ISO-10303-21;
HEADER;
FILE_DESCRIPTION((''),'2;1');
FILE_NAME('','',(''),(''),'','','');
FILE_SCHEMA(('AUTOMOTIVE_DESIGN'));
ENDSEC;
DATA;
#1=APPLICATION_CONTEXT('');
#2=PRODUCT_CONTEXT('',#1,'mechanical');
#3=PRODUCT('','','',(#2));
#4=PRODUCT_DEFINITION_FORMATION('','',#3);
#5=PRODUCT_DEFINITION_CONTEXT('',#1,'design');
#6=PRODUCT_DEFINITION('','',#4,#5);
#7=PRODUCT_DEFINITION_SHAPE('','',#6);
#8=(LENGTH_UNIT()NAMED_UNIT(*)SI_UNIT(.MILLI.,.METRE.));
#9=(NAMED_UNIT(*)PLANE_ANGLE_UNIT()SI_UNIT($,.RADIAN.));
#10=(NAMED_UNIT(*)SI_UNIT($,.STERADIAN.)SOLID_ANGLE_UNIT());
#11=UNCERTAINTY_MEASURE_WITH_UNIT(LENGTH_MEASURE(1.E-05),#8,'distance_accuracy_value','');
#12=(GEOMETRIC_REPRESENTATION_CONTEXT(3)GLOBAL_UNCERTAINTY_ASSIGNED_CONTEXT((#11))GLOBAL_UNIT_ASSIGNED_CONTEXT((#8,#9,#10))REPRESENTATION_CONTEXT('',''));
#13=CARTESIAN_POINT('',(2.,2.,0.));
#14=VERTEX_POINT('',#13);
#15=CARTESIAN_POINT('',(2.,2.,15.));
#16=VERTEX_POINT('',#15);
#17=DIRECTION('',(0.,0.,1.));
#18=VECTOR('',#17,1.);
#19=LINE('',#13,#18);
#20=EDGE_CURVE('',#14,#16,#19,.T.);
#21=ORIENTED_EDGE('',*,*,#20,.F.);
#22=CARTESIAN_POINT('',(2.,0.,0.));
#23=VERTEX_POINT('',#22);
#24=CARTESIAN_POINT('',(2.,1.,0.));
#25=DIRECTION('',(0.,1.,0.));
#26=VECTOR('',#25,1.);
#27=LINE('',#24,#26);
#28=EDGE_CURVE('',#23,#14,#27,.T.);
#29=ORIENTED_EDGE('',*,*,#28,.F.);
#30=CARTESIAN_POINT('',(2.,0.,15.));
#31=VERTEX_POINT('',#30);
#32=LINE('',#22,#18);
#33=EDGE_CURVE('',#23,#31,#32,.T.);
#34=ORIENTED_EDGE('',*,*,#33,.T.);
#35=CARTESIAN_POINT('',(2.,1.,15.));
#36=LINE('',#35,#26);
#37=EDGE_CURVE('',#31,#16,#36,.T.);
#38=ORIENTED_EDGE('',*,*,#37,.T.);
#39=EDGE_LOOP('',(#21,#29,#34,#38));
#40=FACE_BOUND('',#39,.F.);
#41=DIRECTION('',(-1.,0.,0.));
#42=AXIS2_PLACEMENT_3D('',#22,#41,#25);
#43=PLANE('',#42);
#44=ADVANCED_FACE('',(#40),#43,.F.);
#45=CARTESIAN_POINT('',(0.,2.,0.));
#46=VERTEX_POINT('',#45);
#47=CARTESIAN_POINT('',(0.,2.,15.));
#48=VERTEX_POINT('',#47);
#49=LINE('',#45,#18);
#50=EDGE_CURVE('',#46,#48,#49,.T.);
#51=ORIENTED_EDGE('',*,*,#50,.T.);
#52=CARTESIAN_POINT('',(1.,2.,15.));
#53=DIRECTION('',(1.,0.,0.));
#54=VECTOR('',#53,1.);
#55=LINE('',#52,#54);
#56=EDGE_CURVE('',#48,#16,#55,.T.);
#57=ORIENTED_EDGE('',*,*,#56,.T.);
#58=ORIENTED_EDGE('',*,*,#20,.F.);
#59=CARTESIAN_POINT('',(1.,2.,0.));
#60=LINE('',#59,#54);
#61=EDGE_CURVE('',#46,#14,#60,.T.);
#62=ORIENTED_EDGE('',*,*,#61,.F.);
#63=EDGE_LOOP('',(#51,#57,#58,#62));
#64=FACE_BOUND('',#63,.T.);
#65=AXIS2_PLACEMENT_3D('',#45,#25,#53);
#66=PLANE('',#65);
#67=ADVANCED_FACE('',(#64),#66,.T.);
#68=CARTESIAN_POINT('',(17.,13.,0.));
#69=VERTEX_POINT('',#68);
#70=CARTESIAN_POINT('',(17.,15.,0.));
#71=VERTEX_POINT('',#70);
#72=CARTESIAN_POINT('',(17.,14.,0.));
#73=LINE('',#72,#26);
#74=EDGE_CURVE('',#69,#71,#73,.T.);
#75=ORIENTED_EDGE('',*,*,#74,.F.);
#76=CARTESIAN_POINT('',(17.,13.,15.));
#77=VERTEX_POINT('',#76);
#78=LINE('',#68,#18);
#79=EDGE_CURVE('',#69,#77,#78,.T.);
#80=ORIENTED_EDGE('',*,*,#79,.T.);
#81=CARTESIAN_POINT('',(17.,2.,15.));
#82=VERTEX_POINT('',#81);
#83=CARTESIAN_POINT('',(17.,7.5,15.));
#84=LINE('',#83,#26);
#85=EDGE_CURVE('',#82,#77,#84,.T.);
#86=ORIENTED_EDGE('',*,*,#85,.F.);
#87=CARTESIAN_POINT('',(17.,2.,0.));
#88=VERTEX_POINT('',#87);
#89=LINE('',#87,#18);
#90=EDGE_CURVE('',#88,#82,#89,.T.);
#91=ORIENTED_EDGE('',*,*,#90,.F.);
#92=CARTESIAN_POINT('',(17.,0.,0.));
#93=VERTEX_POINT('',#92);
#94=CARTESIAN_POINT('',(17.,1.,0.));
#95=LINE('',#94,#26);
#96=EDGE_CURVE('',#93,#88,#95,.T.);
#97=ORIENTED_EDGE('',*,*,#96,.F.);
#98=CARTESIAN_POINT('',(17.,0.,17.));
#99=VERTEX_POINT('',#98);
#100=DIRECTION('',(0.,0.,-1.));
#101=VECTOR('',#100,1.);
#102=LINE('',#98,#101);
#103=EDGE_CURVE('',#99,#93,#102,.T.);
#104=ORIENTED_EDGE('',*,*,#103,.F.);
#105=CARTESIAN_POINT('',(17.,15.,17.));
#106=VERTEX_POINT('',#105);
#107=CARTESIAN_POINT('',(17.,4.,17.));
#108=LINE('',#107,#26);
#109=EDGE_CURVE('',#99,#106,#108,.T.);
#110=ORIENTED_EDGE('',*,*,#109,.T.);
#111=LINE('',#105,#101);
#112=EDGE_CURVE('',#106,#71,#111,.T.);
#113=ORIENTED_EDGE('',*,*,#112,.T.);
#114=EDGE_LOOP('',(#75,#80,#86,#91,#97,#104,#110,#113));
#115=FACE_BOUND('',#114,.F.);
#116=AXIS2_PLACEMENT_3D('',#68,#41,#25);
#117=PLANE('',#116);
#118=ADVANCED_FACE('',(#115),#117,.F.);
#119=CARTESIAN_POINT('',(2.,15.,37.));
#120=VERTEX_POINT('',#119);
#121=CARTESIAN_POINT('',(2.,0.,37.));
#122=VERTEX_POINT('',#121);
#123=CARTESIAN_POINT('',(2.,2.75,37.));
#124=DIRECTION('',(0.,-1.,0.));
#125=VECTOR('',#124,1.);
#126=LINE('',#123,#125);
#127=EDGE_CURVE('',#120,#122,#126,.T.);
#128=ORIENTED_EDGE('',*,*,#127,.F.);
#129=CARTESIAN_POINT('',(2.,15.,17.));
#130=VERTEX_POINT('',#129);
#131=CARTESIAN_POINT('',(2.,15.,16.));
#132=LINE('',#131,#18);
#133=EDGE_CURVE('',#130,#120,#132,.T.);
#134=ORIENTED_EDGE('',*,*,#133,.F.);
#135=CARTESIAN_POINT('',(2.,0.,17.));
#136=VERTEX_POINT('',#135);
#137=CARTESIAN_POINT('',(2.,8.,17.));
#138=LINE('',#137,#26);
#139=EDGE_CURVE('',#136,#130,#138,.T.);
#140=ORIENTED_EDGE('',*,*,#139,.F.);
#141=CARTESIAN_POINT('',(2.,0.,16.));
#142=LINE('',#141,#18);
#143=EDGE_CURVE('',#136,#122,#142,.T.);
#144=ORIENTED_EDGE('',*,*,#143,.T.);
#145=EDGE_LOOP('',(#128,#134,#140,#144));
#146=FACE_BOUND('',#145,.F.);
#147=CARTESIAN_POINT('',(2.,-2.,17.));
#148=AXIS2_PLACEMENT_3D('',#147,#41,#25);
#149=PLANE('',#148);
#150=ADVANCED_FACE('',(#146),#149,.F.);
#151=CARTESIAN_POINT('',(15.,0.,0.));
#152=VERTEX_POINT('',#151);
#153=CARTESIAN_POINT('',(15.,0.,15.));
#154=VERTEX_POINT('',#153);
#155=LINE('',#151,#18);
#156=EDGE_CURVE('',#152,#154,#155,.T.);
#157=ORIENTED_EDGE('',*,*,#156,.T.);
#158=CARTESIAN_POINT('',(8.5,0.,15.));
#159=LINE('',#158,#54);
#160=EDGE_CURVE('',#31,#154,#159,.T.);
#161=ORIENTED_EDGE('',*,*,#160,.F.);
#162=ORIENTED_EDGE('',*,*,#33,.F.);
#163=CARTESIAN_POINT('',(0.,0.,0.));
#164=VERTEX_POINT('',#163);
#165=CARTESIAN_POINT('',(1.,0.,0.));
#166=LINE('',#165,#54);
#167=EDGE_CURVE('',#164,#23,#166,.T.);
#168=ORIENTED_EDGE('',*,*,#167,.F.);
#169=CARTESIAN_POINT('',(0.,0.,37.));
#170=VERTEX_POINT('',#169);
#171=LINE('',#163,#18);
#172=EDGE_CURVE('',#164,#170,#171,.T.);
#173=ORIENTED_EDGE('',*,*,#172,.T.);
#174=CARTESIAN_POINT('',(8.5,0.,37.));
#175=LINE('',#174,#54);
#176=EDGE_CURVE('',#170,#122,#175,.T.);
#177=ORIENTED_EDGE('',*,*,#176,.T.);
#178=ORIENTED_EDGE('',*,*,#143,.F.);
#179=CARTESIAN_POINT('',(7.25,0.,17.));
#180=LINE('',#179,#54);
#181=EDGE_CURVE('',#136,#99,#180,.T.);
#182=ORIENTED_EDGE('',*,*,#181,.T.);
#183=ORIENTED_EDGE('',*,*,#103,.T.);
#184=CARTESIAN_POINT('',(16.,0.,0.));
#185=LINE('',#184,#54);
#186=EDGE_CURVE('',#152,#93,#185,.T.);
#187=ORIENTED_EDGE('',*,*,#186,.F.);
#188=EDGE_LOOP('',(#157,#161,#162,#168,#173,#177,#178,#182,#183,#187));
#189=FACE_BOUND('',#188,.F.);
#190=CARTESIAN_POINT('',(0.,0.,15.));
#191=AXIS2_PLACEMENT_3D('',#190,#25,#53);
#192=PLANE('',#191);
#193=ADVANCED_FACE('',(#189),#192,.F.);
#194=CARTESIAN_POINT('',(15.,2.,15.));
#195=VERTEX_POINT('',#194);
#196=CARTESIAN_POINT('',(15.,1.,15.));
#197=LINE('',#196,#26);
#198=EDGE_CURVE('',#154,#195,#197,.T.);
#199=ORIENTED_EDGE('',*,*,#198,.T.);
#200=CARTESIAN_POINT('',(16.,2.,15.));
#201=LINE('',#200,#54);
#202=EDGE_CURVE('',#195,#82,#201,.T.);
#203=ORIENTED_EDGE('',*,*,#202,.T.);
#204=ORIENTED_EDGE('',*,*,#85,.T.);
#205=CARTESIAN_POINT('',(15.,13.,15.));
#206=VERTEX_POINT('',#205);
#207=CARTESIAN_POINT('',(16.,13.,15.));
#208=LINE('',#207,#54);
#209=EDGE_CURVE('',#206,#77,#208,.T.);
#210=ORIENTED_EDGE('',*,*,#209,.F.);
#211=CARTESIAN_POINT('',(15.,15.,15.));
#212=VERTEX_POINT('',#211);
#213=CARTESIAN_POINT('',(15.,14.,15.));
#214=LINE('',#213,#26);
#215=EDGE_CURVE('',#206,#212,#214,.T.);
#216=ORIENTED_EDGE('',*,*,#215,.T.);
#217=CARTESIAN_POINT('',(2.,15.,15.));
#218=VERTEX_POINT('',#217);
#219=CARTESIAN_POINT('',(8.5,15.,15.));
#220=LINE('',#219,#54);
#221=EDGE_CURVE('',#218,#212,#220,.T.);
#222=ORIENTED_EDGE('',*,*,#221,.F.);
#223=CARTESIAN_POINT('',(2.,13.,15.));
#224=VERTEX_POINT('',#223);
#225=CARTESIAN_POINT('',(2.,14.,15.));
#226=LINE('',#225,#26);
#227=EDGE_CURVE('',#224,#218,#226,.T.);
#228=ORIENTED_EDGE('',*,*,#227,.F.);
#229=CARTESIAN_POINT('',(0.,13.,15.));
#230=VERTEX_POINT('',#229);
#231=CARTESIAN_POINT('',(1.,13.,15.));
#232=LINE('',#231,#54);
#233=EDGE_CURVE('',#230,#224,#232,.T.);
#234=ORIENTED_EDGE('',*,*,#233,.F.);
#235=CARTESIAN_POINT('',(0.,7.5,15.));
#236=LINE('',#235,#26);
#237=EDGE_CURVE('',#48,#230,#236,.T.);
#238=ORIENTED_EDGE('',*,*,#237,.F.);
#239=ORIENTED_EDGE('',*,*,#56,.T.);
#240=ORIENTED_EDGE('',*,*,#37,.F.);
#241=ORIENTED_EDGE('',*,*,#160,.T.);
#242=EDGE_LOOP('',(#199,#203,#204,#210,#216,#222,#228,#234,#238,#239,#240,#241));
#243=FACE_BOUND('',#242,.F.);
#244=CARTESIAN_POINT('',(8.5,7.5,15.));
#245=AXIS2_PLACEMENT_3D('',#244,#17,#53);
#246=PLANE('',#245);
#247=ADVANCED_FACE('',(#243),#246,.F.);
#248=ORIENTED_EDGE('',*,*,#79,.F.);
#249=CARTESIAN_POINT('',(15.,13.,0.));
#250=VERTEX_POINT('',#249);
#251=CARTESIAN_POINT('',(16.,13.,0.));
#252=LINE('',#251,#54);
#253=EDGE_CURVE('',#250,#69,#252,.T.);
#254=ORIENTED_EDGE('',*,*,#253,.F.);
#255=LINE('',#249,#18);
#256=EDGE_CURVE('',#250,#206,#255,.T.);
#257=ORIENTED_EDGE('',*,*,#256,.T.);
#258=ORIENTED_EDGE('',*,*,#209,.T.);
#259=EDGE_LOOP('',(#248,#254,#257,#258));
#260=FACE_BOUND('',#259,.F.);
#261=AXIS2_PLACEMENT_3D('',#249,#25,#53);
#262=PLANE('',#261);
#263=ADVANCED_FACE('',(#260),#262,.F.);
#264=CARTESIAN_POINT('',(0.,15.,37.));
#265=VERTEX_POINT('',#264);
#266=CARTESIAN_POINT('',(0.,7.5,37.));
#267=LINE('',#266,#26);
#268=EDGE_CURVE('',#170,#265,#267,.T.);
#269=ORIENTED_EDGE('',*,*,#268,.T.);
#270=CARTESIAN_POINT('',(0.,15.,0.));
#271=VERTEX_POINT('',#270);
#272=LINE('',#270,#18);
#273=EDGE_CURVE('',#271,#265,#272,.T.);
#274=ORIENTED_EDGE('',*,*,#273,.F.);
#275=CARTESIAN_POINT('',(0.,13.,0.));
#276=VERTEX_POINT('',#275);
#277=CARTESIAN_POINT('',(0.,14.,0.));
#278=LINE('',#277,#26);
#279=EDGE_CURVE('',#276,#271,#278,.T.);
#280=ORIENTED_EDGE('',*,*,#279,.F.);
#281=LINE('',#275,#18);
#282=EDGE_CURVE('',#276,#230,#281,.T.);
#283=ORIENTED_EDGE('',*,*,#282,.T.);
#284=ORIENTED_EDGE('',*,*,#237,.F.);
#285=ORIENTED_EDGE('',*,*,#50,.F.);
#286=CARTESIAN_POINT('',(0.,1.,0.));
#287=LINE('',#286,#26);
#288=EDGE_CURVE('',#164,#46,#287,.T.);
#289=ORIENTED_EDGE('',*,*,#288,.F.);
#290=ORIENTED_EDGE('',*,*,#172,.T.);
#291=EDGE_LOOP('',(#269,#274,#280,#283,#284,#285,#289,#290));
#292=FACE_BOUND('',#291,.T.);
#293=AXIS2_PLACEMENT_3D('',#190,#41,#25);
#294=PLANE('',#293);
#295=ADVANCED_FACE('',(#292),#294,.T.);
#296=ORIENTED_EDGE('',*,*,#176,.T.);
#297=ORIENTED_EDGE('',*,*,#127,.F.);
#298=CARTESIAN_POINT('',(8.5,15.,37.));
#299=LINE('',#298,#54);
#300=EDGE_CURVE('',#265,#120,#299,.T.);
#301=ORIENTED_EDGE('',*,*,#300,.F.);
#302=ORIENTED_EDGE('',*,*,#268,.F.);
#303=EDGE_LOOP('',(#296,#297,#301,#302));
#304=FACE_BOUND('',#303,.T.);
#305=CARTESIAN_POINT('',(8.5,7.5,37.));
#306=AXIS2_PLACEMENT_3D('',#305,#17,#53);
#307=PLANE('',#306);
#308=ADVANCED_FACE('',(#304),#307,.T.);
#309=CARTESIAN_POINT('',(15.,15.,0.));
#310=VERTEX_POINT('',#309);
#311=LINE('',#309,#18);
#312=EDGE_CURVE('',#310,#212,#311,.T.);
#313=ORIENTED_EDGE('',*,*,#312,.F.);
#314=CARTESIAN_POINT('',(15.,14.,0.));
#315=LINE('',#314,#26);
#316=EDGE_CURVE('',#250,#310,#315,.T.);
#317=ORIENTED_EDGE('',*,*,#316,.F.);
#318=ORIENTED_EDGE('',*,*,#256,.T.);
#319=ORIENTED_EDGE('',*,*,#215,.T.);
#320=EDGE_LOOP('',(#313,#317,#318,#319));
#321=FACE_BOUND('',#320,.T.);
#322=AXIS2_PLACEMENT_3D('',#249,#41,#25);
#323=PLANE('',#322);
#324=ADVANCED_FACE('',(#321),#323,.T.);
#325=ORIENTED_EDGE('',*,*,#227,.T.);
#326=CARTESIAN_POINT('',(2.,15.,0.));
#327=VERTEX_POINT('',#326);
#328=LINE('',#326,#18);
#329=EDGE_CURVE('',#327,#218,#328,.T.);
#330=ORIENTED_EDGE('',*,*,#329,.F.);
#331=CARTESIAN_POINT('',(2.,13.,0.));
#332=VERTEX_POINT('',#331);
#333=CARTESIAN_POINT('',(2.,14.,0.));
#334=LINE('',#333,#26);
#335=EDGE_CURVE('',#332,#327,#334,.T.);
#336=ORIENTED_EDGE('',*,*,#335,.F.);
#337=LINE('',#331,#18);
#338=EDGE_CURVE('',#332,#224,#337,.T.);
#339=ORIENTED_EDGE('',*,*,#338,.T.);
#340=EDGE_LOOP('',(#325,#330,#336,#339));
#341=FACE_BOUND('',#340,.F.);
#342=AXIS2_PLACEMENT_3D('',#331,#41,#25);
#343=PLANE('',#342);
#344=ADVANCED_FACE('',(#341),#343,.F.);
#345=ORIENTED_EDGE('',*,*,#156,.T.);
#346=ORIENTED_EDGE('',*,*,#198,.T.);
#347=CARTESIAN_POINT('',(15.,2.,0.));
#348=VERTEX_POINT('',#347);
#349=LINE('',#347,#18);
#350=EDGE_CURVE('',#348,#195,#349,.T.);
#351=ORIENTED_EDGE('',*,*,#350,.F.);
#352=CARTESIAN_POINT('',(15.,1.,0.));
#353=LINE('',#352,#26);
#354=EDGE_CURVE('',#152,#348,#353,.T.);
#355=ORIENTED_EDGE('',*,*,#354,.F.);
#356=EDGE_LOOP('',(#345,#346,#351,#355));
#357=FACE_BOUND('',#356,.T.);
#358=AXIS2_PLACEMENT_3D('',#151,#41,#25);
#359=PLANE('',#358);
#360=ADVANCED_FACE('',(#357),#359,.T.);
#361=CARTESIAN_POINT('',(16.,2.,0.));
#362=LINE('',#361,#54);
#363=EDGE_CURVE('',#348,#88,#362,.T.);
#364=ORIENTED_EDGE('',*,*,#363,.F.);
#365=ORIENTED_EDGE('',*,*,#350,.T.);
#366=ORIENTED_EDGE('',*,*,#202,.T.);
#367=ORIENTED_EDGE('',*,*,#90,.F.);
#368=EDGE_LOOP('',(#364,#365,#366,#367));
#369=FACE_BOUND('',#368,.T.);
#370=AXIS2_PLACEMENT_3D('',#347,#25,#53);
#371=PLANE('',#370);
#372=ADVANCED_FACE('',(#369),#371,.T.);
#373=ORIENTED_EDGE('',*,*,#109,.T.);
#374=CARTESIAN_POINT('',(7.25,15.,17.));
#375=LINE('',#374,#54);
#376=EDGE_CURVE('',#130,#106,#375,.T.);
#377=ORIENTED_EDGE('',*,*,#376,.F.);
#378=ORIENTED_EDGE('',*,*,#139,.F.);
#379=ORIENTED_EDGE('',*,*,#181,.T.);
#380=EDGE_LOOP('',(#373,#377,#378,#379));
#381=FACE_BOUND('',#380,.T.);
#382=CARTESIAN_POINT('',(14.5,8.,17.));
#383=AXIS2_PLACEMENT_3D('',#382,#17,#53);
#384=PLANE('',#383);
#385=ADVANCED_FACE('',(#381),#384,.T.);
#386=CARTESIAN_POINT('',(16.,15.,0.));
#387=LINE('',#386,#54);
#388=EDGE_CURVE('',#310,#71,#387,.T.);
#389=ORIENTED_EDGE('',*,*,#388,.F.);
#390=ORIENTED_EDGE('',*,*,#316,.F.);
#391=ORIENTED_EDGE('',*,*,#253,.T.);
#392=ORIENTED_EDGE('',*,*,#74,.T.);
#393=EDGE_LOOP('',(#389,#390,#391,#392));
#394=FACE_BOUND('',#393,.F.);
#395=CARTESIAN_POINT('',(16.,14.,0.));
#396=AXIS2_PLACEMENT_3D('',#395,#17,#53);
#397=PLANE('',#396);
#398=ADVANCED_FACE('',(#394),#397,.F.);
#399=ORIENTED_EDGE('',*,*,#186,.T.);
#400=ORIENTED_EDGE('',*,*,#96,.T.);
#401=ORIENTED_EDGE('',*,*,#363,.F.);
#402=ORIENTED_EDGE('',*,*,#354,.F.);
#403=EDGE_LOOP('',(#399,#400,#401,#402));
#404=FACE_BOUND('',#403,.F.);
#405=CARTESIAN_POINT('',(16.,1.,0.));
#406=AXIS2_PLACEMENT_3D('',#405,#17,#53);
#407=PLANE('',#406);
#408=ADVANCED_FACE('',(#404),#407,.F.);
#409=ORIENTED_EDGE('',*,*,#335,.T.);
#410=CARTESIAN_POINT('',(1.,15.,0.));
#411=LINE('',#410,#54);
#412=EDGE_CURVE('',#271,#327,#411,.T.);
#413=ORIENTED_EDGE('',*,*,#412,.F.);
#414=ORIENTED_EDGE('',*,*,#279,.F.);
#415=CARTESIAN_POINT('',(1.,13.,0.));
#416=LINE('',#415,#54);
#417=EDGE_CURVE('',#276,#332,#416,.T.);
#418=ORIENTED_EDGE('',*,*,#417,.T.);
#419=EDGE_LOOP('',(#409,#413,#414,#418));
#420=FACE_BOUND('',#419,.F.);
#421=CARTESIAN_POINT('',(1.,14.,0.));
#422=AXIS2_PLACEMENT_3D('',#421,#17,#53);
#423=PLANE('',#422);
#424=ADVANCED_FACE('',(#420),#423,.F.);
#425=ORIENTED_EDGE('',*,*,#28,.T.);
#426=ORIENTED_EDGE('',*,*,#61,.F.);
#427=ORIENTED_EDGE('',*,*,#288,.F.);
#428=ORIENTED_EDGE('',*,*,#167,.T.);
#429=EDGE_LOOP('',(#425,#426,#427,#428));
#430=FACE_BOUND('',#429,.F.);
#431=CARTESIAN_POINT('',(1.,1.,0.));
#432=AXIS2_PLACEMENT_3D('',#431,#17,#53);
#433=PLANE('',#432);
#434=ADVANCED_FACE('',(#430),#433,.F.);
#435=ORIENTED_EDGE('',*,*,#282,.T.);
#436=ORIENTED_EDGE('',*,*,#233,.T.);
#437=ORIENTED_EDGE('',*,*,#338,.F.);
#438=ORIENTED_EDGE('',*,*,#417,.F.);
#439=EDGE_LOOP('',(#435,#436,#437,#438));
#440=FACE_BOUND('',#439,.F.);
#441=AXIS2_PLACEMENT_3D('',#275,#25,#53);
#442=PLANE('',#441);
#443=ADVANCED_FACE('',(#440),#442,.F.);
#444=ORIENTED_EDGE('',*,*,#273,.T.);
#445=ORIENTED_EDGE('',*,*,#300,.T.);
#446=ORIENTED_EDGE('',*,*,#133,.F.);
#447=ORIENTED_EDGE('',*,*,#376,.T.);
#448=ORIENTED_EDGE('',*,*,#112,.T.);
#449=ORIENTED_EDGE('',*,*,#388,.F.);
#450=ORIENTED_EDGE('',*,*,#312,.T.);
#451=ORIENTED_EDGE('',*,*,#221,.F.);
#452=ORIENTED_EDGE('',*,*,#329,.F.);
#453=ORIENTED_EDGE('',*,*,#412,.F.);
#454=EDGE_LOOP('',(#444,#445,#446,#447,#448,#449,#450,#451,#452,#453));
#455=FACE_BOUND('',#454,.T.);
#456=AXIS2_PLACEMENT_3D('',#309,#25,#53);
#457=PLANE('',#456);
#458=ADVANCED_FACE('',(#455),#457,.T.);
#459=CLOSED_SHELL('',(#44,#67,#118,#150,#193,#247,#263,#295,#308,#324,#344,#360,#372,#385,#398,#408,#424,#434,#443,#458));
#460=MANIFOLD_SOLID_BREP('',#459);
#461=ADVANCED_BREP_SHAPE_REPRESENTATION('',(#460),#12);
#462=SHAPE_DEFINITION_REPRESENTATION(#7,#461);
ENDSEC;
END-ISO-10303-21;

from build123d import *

# Parameters (mm, degrees)
BOX018_W         = 2
BOX018_H         = 2
BOX018_DEPTH     = 15
ARRAY003_X_COUNT = 2
ARRAY003_X_PITCH = 15
ARRAY003_Y_COUNT = 2
ARRAY003_Y_PITCH = 13
BOX017_W         = 25
BOX017_H         = 20
BOX017_DEPTH     = 25
BOX016_W         = 17
BOX016_H         = 15
BOX016_DEPTH     = 22


with BuildPart() as matriz_4_patas_silla:
    # Box018 → Box018 (new body)
    with BuildSketch(Plane.XY):
        with Locations((1, 1)):
            Rectangle(BOX018_W, BOX018_H)
    extrude(amount=BOX018_DEPTH)

    # Array003 X: Matriz 4 patas silla ×2


with BuildPart() as matriz_4_patas_silla_1:
    add(matriz_4_patas_silla.part)
    with Locations(*[(i * ARRAY003_X_PITCH, 0, 0) for i in range(1, ARRAY003_X_COUNT)]):
        add(matriz_4_patas_silla.part)

    # Array003 Y: Matriz 4 patas silla ×2


with BuildPart() as matriz_4_patas_silla_2:
    add(matriz_4_patas_silla_1.part)
    with Locations(*[(0, i * ARRAY003_Y_PITCH, 0) for i in range(1, ARRAY003_Y_COUNT)]):
        add(matriz_4_patas_silla_1.part)


with BuildPart() as vaciado_respaldo_silla:
    # Box017 → Box017 (new body)
    with BuildSketch(Plane(origin=(2, -2, 2), x_dir=(1, 0, 0), z_dir=(0, 0, 1))):
        with Locations((12.5, 10)):
            Rectangle(BOX017_W, BOX017_H)
    extrude(amount=BOX017_DEPTH)


with BuildPart() as silla_master:
    # Box016 → Box016 (new body)
    with BuildSketch(Plane.XY):
        with Locations((8.5, 7.5)):
            Rectangle(BOX016_W, BOX016_H)
    extrude(amount=BOX016_DEPTH)

    # Cut003: cut Vaciado respaldo silla
    add(vaciado_respaldo_silla.part, mode=Mode.SUBTRACT)


with BuildPart() as silla_master_1:
    # Cut003 placement: moved
    add(silla_master.part.moved(Location((0, 0, 15))))

    # Fusion005: union Matriz 4 patas silla
    add(matriz_4_patas_silla_2.part)


solid = silla_master_1.part
